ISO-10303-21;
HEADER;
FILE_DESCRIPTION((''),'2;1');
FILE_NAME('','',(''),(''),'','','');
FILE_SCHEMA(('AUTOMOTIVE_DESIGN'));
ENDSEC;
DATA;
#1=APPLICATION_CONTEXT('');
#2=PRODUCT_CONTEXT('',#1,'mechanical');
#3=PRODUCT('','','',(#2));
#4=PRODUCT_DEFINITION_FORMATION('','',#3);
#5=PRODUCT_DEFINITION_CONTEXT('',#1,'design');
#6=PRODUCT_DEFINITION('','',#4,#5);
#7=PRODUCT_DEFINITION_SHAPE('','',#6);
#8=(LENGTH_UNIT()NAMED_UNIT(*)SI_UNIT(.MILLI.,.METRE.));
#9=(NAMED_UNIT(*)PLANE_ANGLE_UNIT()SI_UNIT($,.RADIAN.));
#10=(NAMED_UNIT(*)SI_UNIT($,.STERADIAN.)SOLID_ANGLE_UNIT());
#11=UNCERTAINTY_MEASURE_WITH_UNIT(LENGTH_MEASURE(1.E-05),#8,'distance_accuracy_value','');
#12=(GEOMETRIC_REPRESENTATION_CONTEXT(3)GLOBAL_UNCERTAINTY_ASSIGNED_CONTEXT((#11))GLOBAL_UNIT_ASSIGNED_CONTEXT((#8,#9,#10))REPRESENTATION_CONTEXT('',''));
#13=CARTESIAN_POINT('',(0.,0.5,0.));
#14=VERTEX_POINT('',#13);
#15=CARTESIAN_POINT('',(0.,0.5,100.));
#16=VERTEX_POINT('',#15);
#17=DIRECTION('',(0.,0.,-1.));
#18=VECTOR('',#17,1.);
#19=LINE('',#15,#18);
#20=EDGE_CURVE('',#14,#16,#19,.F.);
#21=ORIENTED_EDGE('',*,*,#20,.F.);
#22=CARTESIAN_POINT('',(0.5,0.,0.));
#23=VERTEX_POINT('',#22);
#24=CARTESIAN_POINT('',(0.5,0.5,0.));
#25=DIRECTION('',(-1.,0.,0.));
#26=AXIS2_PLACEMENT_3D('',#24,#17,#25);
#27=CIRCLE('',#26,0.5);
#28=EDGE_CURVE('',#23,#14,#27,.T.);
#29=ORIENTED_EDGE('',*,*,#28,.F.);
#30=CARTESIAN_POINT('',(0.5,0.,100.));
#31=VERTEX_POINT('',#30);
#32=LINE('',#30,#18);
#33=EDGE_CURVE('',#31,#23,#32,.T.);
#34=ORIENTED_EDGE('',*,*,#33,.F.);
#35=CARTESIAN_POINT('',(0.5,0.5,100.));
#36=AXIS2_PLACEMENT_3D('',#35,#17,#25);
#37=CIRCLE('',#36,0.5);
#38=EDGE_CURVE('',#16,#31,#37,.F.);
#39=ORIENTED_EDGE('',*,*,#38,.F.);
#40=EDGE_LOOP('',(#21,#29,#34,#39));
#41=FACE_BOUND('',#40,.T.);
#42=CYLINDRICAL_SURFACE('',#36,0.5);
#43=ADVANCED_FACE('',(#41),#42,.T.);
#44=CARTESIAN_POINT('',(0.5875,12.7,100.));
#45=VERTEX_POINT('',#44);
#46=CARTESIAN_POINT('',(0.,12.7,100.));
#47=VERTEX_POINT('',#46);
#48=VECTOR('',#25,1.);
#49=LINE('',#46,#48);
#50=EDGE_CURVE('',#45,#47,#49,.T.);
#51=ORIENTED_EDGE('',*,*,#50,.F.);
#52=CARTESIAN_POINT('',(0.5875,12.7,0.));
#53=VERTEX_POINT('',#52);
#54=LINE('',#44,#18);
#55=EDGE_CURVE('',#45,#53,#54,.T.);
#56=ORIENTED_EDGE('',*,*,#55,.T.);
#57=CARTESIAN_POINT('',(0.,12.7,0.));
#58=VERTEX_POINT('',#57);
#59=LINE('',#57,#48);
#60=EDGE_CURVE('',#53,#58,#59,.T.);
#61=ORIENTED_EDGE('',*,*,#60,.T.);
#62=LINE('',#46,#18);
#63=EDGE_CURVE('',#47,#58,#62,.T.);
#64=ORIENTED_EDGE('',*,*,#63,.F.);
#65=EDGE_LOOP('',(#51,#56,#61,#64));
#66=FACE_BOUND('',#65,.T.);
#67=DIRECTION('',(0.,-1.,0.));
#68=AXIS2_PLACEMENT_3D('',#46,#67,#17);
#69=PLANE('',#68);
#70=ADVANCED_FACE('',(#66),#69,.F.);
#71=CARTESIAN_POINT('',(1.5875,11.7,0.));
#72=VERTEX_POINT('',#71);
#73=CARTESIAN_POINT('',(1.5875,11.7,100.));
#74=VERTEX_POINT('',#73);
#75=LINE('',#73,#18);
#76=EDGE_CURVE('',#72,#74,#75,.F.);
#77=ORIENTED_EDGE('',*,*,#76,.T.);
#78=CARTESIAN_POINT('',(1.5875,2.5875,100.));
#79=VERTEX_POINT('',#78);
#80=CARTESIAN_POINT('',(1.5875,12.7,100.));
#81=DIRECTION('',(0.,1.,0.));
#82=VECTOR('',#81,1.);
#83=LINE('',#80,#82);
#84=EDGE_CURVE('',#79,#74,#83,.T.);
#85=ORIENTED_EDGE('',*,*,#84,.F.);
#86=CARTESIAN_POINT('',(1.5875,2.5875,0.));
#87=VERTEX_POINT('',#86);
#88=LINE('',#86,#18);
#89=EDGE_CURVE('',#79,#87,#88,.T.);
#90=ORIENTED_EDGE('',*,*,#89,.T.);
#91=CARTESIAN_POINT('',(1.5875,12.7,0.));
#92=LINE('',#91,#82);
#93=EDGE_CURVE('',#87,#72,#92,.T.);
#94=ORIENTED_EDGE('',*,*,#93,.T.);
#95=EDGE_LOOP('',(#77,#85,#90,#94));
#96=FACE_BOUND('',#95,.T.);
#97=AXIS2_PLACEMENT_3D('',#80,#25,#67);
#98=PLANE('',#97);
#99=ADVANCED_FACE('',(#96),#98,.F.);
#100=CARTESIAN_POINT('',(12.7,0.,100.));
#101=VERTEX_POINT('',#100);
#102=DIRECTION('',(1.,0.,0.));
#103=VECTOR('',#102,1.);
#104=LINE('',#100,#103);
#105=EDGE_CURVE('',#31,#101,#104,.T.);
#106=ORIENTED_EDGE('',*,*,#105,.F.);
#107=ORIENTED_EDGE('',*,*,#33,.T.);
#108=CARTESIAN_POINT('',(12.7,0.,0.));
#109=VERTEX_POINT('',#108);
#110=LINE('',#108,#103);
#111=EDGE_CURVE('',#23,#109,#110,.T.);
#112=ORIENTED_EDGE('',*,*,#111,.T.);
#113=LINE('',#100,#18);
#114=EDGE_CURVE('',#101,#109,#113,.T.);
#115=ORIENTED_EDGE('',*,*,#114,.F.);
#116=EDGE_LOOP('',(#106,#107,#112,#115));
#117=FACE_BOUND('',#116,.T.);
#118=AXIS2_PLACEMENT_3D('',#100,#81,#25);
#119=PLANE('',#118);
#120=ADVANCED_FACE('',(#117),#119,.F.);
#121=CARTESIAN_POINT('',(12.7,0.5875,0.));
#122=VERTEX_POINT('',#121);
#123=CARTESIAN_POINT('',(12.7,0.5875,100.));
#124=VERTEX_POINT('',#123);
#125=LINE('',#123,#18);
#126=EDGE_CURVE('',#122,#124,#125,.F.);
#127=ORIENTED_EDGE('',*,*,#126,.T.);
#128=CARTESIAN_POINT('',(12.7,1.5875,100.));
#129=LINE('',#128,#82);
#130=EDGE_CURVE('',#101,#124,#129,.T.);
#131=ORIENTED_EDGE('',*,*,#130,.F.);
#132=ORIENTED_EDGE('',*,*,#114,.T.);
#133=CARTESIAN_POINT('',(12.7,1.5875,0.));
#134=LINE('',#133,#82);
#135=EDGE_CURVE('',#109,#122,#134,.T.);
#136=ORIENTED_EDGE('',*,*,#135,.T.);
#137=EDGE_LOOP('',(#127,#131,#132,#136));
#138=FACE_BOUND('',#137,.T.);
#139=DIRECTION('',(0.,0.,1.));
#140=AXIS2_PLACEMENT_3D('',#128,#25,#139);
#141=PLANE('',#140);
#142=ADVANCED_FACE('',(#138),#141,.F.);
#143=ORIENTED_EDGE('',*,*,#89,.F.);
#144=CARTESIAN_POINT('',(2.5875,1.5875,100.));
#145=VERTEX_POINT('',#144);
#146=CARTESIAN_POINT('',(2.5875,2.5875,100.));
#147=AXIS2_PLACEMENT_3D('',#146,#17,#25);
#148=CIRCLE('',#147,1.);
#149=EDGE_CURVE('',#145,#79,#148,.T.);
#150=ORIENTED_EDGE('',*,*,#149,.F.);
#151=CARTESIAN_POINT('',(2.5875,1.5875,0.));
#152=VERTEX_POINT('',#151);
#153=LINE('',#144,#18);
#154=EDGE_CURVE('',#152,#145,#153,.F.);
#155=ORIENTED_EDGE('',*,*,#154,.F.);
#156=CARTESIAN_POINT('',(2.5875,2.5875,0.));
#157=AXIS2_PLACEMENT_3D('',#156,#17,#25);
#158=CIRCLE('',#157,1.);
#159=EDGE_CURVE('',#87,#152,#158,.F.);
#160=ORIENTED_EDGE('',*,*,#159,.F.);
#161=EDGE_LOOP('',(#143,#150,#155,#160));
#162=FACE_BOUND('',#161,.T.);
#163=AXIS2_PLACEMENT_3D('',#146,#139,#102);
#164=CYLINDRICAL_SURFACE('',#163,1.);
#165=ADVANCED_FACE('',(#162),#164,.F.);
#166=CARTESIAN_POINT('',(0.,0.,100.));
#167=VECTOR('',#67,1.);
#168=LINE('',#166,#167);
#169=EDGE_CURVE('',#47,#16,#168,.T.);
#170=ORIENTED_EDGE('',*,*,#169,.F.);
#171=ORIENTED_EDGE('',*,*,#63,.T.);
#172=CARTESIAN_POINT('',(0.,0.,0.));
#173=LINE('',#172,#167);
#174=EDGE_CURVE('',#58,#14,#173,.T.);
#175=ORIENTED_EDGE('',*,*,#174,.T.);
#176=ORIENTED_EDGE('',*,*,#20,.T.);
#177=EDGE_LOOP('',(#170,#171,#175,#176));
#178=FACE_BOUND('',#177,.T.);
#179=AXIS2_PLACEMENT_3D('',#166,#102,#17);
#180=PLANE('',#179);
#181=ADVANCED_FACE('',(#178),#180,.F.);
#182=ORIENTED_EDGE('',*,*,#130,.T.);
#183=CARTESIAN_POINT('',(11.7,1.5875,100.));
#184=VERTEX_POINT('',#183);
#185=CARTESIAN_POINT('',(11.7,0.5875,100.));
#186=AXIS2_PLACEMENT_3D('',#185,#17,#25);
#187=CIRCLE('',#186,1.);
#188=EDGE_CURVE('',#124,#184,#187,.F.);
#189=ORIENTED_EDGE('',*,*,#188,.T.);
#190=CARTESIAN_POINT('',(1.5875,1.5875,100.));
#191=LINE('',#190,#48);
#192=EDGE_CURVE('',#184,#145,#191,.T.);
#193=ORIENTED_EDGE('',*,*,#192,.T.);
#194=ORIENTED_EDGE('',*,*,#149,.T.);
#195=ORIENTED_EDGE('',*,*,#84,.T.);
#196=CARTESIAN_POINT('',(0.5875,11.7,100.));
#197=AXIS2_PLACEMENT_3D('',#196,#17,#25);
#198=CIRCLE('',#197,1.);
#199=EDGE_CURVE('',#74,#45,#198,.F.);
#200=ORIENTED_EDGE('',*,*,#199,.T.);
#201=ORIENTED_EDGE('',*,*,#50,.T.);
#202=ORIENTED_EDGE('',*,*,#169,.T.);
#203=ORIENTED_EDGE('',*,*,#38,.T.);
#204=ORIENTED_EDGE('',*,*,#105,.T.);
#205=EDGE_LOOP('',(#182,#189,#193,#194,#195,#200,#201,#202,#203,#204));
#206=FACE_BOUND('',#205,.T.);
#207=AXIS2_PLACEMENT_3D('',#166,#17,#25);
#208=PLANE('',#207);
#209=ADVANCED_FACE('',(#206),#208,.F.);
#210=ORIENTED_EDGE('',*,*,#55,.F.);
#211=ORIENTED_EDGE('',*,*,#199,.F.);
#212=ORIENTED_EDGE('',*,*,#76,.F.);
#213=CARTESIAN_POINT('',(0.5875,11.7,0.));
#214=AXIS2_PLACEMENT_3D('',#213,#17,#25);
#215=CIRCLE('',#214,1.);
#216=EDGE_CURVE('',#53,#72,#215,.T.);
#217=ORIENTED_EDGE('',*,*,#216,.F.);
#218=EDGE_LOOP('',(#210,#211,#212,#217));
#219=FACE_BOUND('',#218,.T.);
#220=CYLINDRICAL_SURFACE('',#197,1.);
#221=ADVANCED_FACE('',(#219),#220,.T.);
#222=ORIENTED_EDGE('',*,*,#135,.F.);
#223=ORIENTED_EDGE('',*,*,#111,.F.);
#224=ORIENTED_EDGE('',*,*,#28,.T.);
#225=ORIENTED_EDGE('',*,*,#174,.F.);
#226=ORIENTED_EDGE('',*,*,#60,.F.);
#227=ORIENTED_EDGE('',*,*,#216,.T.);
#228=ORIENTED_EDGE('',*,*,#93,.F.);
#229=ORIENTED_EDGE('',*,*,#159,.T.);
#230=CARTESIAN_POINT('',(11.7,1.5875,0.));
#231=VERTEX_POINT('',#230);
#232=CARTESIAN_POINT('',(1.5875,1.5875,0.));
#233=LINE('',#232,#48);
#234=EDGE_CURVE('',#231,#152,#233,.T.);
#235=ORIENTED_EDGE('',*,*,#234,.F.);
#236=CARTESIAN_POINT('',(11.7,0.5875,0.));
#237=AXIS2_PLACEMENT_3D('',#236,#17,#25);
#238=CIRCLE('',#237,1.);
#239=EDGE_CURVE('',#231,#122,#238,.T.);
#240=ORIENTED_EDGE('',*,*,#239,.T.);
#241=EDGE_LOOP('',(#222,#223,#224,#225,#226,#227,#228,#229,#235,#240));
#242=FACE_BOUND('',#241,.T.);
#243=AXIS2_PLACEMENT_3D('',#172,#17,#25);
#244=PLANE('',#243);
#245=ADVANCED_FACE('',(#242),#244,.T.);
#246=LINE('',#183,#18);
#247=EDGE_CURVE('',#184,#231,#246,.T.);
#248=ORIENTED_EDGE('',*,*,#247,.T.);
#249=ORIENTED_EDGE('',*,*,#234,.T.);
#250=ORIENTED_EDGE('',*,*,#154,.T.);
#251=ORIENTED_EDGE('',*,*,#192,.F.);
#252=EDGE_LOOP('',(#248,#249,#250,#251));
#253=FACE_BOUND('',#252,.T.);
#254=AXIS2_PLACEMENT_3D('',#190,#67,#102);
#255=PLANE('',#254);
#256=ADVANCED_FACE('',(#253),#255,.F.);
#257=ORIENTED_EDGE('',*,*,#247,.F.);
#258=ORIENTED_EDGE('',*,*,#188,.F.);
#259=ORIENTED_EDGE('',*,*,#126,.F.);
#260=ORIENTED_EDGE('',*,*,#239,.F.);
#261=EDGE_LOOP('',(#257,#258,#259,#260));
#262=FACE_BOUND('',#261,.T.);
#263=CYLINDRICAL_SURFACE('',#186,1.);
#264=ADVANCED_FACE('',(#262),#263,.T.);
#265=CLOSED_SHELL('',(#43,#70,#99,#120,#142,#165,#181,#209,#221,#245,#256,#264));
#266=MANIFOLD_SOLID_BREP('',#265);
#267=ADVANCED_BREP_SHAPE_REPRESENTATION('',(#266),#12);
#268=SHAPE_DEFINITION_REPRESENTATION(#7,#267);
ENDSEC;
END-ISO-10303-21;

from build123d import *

# Parameters (mm, degrees)
BOSS_EXTRUDE1_DEPTH = 100
FILLET1_R           = 0.5
FILLET2_R           = 1


with BuildPart() as part:
    # Sketch1 → Boss-Extrude1 (new body)
    with BuildSketch(Plane.XY):
        Polygon((0, 0), (0, 12.7), (1.5875, 12.7), (1.5875, 1.5875), (12.7, 1.5875), (12.7, 0), align=None)
    extrude(amount=BOSS_EXTRUDE1_DEPTH)

    # Fillet1
    fillet1_edges = [part.edges().sort_by_distance(p)[0] for p in [
        (0, 0, 50),
    ]]
    fillet(fillet1_edges, radius=FILLET1_R)

    # Fillet2
    fillet2_edges = [part.edges().sort_by_distance(p)[0] for p in [
        (1.5875, 12.7, 50),
        (1.5875, 1.5875, 50),
        (12.7, 1.5875, 50),
    ]]
    fillet(fillet2_edges, radius=FILLET2_R)


solid = part.part
